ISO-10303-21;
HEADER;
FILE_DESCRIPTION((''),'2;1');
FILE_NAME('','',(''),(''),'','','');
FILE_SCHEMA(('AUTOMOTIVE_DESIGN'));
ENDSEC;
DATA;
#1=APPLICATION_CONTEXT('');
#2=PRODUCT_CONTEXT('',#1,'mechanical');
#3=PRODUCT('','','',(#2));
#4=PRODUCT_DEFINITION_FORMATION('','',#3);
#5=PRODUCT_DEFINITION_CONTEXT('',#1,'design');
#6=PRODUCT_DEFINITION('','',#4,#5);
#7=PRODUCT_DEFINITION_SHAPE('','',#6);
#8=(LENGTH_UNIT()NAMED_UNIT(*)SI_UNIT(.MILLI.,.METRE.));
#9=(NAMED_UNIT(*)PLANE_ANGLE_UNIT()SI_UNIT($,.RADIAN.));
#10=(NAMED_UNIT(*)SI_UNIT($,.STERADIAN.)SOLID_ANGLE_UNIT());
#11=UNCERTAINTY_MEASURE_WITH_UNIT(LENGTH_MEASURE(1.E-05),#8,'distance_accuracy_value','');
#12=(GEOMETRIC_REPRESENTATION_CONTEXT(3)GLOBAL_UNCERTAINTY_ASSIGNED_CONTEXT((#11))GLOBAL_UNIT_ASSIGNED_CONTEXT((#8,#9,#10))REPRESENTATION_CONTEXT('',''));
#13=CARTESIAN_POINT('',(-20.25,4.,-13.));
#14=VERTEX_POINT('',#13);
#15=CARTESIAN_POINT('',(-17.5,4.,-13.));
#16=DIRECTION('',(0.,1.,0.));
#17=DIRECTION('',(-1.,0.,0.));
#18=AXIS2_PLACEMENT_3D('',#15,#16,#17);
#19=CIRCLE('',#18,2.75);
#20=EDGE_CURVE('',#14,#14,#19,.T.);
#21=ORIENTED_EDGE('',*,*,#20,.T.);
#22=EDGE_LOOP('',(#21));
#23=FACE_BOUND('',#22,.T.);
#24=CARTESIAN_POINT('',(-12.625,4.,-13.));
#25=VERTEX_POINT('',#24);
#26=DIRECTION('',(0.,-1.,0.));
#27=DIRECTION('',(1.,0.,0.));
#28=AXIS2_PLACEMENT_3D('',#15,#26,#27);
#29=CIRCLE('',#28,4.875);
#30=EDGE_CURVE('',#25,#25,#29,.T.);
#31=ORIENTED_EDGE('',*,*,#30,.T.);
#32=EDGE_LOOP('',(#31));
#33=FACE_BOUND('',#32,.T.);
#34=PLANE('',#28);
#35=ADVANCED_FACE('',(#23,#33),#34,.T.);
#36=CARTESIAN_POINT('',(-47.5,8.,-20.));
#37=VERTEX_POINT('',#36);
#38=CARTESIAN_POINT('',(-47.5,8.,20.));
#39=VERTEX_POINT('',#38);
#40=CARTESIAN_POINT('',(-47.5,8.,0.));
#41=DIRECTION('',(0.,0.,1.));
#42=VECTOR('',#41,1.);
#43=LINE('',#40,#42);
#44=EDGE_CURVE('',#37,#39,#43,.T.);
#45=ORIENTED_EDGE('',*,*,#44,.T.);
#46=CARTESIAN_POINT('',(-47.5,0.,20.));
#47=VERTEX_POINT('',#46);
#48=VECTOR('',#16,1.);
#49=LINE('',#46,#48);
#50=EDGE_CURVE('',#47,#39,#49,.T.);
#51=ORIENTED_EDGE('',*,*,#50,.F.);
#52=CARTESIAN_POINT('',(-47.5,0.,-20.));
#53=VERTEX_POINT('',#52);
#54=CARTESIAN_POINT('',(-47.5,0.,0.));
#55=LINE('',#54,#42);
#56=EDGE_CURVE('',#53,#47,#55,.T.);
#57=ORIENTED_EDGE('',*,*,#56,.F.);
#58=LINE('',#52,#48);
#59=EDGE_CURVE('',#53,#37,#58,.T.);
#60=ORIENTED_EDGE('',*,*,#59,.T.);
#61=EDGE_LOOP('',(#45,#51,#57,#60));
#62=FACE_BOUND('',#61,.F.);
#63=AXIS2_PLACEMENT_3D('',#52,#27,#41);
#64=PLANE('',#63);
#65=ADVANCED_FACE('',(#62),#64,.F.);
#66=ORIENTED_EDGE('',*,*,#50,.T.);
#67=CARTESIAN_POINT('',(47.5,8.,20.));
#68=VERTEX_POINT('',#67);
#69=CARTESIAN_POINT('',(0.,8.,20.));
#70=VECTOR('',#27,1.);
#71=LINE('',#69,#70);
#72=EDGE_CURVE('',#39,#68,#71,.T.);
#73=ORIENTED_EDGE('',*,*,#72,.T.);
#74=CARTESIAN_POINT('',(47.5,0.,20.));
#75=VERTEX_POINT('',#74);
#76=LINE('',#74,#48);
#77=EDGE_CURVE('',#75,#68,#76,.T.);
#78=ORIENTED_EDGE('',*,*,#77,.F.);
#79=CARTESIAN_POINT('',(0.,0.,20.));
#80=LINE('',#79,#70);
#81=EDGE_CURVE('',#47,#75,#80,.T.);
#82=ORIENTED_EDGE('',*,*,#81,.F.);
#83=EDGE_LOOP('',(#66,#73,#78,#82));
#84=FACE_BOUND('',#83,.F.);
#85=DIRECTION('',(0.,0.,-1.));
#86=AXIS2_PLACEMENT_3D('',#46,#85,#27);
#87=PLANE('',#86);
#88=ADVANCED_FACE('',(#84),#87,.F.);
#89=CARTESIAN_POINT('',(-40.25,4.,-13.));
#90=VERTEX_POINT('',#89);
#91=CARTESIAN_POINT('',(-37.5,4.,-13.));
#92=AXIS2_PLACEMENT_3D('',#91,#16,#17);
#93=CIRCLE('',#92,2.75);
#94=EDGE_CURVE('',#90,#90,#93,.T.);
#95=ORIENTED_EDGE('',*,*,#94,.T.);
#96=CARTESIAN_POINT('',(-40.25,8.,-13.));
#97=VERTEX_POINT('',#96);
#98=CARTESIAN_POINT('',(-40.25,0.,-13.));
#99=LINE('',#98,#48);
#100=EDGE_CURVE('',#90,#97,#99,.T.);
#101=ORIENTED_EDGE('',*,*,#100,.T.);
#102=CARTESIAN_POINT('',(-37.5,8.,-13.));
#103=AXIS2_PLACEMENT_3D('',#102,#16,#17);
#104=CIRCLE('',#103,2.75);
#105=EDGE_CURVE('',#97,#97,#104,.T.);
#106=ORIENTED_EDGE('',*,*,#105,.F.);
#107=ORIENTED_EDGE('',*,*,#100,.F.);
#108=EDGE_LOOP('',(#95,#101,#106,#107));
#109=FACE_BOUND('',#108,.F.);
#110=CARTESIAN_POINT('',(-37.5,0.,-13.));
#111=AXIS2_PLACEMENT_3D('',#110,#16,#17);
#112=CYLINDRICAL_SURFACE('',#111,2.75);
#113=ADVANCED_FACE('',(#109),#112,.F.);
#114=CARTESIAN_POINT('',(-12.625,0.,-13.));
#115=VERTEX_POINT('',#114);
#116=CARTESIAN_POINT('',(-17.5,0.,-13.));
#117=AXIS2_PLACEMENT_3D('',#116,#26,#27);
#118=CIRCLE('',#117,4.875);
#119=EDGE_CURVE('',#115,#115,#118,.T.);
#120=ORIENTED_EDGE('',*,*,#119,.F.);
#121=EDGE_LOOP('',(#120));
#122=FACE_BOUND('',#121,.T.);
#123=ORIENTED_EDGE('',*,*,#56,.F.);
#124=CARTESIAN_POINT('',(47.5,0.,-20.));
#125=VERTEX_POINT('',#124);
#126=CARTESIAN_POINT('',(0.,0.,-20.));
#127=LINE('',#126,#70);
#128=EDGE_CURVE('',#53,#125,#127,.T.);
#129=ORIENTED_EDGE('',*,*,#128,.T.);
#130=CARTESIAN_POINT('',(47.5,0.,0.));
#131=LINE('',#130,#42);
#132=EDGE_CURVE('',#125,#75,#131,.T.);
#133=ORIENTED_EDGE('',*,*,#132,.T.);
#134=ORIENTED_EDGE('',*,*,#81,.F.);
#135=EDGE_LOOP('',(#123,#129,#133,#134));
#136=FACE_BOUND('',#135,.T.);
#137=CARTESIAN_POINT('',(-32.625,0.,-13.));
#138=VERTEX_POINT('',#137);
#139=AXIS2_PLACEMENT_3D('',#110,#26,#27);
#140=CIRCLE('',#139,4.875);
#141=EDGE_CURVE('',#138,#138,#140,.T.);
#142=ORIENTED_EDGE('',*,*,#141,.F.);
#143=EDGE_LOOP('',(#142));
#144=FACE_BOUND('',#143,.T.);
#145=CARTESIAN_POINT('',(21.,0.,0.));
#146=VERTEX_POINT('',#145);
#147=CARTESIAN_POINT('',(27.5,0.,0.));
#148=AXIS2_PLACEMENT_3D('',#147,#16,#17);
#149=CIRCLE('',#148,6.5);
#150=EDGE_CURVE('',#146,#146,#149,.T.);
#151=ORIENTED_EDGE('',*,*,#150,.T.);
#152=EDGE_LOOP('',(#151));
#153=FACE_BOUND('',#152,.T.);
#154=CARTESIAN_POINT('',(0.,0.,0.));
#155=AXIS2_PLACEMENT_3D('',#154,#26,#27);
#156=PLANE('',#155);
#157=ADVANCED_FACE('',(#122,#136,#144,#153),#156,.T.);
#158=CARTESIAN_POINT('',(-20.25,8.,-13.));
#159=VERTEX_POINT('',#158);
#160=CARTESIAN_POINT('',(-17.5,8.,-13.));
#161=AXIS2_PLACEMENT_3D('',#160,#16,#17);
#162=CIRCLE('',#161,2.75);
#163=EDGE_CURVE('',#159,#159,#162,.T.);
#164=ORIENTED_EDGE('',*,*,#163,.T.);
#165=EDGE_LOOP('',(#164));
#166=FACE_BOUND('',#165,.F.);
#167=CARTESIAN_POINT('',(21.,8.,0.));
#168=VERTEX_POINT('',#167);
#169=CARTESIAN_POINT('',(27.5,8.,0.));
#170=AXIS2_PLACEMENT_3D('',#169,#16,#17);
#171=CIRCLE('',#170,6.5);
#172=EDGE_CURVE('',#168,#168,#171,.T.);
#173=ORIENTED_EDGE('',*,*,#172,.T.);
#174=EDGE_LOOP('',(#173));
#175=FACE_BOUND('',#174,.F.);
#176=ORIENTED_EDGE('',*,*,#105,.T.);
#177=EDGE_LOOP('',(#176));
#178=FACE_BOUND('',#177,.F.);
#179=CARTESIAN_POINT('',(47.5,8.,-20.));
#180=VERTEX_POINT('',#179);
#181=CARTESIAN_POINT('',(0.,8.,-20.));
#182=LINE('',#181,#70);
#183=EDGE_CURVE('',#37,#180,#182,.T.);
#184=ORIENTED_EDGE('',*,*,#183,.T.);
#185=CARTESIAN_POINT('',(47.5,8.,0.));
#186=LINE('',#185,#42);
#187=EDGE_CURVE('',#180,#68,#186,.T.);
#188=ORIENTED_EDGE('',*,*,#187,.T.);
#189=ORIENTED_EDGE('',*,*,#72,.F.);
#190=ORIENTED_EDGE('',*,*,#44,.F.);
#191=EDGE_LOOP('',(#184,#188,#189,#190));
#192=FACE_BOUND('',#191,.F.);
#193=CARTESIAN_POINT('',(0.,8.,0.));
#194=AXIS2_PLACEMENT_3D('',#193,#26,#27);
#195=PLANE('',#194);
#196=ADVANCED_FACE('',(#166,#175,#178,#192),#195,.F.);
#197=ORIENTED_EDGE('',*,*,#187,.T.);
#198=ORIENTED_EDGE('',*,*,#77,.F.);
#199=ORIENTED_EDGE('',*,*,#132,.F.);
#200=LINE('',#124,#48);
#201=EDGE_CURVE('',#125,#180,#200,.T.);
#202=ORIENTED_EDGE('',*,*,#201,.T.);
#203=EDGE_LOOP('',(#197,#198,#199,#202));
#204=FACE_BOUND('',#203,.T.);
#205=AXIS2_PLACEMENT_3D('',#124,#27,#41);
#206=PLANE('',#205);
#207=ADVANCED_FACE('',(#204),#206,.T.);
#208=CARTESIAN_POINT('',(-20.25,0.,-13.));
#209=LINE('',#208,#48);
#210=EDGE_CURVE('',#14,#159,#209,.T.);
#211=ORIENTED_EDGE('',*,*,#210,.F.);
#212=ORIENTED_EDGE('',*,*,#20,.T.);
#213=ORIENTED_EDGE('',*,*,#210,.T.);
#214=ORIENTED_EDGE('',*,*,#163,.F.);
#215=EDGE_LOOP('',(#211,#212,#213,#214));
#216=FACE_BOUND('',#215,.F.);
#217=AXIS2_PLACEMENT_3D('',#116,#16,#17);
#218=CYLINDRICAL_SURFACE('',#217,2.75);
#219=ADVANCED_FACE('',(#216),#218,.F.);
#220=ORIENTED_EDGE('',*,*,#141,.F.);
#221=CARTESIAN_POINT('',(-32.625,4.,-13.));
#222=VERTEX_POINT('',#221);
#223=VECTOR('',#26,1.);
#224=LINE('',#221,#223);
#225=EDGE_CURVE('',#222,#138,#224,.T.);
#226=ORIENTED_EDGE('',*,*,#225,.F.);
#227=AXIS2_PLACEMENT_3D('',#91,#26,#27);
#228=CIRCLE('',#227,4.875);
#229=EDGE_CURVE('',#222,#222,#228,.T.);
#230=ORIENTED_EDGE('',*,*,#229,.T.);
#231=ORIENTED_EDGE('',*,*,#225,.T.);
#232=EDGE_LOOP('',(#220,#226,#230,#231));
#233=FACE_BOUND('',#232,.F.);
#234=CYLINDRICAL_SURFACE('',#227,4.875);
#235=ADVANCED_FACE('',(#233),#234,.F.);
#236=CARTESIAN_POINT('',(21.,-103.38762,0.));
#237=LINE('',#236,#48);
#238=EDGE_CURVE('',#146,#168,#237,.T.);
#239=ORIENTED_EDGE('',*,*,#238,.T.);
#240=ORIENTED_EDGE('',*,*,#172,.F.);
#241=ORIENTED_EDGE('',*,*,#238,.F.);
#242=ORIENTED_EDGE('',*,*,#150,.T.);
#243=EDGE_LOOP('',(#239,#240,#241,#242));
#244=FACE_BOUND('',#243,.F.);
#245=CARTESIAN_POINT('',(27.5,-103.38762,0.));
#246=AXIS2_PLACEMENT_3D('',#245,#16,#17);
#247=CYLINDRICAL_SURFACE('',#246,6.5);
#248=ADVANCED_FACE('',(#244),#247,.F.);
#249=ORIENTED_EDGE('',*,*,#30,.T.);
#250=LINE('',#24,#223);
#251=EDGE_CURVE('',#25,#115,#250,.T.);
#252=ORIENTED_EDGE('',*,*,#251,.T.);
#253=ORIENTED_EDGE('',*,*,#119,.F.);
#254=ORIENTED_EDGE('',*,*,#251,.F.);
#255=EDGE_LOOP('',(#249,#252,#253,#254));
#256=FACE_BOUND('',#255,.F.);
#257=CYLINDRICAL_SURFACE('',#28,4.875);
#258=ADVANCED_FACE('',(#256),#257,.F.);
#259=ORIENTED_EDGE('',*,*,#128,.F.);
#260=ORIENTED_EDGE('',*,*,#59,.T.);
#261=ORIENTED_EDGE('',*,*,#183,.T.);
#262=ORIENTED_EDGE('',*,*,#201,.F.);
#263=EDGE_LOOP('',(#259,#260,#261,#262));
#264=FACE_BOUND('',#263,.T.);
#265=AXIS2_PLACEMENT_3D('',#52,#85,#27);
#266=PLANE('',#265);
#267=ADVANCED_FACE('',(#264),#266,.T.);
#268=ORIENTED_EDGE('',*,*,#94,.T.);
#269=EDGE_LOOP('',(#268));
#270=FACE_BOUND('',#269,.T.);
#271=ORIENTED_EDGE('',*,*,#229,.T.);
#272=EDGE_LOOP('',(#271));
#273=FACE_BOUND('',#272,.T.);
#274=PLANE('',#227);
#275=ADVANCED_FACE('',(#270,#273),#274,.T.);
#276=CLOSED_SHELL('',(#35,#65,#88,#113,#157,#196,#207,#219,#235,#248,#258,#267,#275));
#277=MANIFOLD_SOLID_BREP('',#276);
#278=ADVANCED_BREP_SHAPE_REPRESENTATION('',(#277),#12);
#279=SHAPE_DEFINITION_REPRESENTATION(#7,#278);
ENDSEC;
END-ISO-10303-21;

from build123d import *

# Parameters (mm, degrees)
F0_W           = 95
F0_H           = 40
F1_DEPTH       = 8
F2_D           = 5.5
F2_CBORE_D     = 9.75
F2_CBORE_DEPTH = 4
F3_D           = 13


with BuildPart() as f1:
    # F0 (on Front) → F1 (new body)
    with BuildSketch(Plane.XZ):
        Rectangle(F0_W, F0_H)
    extrude(amount=-F1_DEPTH)

    # F2 (through all)
    with Locations(Plane.XZ):
        with Locations((-17.5, -13), (-37.5, -13)):
            CounterBoreHole(F2_D / 2, F2_CBORE_D / 2, F2_CBORE_DEPTH)

    # F3 (through all)
    with Locations(Plane.XZ):
        with Locations((27.5, 0)):
            Hole(F3_D / 2)


solid = f1.part
